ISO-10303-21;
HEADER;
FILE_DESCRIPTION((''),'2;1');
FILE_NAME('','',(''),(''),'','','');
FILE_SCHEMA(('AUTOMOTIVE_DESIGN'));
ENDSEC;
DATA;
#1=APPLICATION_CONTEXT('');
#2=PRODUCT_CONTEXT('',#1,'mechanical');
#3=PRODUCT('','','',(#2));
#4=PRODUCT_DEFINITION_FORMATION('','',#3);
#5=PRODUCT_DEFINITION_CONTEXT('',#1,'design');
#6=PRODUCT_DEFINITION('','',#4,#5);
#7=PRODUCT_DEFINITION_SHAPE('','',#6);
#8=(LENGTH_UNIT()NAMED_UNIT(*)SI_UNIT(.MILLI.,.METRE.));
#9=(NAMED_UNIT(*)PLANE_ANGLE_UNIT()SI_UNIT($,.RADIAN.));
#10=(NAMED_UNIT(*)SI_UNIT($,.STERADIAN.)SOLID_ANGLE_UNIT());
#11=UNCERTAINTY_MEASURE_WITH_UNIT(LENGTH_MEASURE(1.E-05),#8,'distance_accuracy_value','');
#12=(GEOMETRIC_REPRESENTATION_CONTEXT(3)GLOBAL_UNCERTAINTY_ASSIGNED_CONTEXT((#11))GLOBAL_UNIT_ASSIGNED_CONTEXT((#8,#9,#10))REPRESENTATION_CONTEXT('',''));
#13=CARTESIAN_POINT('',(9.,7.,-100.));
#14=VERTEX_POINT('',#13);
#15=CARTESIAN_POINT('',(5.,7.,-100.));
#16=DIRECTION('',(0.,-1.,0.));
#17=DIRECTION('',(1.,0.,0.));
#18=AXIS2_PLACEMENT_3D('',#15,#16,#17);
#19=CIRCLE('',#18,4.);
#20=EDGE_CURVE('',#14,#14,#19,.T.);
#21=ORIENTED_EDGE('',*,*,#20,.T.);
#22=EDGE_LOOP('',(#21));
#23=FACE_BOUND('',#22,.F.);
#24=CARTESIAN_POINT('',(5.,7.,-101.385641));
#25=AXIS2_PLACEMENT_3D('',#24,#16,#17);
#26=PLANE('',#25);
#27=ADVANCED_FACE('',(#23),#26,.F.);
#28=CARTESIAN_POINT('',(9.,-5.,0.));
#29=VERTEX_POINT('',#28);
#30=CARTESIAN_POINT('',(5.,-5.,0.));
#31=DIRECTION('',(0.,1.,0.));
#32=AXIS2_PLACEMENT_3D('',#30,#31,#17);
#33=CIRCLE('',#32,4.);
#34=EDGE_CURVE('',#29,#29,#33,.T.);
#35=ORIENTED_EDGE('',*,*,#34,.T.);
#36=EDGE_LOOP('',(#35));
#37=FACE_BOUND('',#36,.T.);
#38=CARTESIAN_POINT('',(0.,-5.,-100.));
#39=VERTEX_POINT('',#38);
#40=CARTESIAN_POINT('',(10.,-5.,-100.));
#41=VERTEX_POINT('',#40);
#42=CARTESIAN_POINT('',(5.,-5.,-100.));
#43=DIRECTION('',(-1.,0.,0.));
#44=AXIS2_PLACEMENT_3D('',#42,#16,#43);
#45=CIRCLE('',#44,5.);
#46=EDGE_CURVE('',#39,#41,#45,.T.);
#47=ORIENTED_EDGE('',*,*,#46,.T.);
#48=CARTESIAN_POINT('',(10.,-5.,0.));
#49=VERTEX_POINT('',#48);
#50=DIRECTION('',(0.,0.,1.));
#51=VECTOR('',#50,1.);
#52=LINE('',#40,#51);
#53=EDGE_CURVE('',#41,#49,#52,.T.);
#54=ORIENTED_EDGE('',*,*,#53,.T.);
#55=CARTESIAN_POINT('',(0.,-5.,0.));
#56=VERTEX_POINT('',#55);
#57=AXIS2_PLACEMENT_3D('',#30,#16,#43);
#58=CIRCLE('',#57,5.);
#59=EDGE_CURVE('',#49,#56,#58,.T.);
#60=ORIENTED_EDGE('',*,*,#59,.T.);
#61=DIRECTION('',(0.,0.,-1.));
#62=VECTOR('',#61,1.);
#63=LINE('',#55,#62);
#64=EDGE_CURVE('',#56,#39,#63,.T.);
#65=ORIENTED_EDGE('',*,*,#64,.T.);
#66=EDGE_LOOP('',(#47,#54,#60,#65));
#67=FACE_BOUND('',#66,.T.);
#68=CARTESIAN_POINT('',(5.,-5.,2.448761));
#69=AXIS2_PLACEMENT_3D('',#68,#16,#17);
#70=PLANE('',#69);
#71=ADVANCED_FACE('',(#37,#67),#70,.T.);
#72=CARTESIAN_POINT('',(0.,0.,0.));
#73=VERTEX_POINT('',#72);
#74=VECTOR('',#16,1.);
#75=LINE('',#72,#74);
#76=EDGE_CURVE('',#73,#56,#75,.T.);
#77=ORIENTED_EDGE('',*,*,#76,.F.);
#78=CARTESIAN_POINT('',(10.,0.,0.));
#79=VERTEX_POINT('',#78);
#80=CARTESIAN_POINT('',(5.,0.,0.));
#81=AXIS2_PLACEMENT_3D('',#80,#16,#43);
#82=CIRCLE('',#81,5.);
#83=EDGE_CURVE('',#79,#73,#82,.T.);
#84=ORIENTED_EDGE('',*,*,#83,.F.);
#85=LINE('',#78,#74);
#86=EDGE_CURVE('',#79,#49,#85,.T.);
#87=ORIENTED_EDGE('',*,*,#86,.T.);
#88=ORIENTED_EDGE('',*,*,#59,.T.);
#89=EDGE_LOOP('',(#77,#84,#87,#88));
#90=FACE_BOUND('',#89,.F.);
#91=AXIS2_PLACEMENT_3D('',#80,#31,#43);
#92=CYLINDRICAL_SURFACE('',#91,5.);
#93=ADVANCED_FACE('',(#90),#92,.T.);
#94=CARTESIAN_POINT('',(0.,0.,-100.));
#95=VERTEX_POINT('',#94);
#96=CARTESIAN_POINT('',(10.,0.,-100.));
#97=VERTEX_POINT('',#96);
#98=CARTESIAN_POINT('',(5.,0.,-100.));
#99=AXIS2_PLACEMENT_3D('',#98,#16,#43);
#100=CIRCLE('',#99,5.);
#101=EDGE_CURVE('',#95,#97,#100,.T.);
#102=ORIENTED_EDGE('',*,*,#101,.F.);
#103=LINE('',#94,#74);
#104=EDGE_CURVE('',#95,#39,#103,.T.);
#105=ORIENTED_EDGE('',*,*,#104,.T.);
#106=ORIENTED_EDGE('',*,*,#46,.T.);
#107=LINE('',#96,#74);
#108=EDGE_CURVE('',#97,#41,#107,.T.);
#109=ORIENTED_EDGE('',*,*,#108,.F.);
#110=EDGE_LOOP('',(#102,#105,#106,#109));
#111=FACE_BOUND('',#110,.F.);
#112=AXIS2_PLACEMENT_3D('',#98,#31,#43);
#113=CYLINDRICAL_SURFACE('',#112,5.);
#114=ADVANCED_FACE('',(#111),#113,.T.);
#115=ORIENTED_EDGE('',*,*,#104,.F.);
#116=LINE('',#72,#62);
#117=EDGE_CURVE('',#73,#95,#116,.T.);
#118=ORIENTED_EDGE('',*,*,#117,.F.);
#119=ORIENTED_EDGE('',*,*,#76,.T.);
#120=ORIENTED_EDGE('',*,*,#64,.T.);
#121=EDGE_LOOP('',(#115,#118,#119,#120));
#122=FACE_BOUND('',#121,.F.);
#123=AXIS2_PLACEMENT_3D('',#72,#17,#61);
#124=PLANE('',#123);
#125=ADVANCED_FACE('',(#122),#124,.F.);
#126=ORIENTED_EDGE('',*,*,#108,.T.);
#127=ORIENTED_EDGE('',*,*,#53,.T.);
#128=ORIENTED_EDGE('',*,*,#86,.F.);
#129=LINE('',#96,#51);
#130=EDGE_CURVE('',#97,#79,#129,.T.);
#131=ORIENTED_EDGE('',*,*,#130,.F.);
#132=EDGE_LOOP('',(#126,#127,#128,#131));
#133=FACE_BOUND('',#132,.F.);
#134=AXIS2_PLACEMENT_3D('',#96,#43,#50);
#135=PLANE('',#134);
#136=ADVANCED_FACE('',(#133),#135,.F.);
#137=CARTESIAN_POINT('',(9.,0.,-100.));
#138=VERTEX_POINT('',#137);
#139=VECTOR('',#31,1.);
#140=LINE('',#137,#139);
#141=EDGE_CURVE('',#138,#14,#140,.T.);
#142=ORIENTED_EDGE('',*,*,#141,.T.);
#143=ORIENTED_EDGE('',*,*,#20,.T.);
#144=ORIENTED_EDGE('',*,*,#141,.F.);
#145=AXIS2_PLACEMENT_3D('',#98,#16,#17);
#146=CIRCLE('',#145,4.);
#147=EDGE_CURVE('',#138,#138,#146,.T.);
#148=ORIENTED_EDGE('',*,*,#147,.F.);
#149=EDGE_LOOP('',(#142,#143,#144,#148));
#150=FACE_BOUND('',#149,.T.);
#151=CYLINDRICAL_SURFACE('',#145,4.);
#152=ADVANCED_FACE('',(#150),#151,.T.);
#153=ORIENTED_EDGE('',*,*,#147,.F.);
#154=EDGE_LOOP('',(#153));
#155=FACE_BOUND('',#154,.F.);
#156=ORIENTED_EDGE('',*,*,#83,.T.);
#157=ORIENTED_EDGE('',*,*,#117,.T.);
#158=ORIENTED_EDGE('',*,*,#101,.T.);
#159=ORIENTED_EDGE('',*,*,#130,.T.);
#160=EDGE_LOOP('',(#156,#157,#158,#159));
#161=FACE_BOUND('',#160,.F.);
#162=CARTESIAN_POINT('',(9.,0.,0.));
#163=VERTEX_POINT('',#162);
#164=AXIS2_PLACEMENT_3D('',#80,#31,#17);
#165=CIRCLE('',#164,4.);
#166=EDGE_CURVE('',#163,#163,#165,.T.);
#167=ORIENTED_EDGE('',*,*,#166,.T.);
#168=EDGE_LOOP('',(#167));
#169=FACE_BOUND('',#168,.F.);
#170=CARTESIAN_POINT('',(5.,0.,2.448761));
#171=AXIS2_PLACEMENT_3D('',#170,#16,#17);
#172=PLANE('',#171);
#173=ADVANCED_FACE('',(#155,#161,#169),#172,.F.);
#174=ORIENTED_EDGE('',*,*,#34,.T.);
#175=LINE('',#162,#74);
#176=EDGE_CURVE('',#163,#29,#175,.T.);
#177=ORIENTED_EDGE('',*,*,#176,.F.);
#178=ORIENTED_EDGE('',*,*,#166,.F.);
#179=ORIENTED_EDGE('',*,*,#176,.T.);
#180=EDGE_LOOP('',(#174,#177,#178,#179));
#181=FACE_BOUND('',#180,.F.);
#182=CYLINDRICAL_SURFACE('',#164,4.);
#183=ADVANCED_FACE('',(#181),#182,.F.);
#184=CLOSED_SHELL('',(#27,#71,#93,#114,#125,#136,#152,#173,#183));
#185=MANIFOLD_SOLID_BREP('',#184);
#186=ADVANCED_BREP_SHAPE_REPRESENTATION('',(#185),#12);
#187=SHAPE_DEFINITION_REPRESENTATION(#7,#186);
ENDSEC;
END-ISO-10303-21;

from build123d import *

# Parameters (mm, degrees)
F1_DEPTH = 5
F2_DEPTH = 7


with BuildPart() as f1:
    # F0 (on Front) → F1 (new body)
    with BuildSketch(Plane.XZ):
        with BuildLine():
            ThreePointArc((1, 0), (5, 4), (9, 0))
            Line((9, 0), (10, 0))
            ThreePointArc((10, 0), (5, 5), (0, 0))
            Line((0, 0), (1, 0))
        make_face()
        with BuildLine():
            Line((10, 0), (9, 0))
            ThreePointArc((9, 0), (5, -4), (1, 0))
            Line((1, 0), (0, 0))
            ThreePointArc((0, 0), (5, -5), (10, 0))
        make_face()
        with BuildLine():
            Line((10, -100), (10, 0))
            ThreePointArc((10, 0), (5, -5), (0, 0))
            Line((0, 0), (0, -100))
            ThreePointArc((0, -100), (5, -95), (10, -100))
        make_face()
        with BuildLine():
            ThreePointArc((0, -100), (5, -105), (10, -100))
            Line((10, -100), (9, -100))
            ThreePointArc((9, -100), (5, -104), (1, -100))
            Line((1, -100), (0, -100))
        make_face()
        with BuildLine():
            Line((9, -100), (10, -100))
            ThreePointArc((10, -100), (5, -95), (0, -100))
            Line((0, -100), (1, -100))
            ThreePointArc((1, -100), (5, -96), (9, -100))
        make_face()
        with BuildLine():
            ThreePointArc((1, -100), (5, -104), (9, -100))
            Line((9, -100), (1, -100))
        make_face()
        with BuildLine():
            Line((1, -100), (9, -100))
            ThreePointArc((9, -100), (5, -96), (1, -100))
        make_face()
    extrude(amount=F1_DEPTH)

    # F0 (on Front) → F2 (join)
    with BuildSketch(Plane.XZ):
        with BuildLine():
            ThreePointArc((1, -100), (5, -104), (9, -100))
            Line((9, -100), (1, -100))
        make_face()
        with BuildLine():
            Line((1, -100), (9, -100))
            ThreePointArc((9, -100), (5, -96), (1, -100))
        make_face()
    extrude(amount=-F2_DEPTH)


solid = f1.part
